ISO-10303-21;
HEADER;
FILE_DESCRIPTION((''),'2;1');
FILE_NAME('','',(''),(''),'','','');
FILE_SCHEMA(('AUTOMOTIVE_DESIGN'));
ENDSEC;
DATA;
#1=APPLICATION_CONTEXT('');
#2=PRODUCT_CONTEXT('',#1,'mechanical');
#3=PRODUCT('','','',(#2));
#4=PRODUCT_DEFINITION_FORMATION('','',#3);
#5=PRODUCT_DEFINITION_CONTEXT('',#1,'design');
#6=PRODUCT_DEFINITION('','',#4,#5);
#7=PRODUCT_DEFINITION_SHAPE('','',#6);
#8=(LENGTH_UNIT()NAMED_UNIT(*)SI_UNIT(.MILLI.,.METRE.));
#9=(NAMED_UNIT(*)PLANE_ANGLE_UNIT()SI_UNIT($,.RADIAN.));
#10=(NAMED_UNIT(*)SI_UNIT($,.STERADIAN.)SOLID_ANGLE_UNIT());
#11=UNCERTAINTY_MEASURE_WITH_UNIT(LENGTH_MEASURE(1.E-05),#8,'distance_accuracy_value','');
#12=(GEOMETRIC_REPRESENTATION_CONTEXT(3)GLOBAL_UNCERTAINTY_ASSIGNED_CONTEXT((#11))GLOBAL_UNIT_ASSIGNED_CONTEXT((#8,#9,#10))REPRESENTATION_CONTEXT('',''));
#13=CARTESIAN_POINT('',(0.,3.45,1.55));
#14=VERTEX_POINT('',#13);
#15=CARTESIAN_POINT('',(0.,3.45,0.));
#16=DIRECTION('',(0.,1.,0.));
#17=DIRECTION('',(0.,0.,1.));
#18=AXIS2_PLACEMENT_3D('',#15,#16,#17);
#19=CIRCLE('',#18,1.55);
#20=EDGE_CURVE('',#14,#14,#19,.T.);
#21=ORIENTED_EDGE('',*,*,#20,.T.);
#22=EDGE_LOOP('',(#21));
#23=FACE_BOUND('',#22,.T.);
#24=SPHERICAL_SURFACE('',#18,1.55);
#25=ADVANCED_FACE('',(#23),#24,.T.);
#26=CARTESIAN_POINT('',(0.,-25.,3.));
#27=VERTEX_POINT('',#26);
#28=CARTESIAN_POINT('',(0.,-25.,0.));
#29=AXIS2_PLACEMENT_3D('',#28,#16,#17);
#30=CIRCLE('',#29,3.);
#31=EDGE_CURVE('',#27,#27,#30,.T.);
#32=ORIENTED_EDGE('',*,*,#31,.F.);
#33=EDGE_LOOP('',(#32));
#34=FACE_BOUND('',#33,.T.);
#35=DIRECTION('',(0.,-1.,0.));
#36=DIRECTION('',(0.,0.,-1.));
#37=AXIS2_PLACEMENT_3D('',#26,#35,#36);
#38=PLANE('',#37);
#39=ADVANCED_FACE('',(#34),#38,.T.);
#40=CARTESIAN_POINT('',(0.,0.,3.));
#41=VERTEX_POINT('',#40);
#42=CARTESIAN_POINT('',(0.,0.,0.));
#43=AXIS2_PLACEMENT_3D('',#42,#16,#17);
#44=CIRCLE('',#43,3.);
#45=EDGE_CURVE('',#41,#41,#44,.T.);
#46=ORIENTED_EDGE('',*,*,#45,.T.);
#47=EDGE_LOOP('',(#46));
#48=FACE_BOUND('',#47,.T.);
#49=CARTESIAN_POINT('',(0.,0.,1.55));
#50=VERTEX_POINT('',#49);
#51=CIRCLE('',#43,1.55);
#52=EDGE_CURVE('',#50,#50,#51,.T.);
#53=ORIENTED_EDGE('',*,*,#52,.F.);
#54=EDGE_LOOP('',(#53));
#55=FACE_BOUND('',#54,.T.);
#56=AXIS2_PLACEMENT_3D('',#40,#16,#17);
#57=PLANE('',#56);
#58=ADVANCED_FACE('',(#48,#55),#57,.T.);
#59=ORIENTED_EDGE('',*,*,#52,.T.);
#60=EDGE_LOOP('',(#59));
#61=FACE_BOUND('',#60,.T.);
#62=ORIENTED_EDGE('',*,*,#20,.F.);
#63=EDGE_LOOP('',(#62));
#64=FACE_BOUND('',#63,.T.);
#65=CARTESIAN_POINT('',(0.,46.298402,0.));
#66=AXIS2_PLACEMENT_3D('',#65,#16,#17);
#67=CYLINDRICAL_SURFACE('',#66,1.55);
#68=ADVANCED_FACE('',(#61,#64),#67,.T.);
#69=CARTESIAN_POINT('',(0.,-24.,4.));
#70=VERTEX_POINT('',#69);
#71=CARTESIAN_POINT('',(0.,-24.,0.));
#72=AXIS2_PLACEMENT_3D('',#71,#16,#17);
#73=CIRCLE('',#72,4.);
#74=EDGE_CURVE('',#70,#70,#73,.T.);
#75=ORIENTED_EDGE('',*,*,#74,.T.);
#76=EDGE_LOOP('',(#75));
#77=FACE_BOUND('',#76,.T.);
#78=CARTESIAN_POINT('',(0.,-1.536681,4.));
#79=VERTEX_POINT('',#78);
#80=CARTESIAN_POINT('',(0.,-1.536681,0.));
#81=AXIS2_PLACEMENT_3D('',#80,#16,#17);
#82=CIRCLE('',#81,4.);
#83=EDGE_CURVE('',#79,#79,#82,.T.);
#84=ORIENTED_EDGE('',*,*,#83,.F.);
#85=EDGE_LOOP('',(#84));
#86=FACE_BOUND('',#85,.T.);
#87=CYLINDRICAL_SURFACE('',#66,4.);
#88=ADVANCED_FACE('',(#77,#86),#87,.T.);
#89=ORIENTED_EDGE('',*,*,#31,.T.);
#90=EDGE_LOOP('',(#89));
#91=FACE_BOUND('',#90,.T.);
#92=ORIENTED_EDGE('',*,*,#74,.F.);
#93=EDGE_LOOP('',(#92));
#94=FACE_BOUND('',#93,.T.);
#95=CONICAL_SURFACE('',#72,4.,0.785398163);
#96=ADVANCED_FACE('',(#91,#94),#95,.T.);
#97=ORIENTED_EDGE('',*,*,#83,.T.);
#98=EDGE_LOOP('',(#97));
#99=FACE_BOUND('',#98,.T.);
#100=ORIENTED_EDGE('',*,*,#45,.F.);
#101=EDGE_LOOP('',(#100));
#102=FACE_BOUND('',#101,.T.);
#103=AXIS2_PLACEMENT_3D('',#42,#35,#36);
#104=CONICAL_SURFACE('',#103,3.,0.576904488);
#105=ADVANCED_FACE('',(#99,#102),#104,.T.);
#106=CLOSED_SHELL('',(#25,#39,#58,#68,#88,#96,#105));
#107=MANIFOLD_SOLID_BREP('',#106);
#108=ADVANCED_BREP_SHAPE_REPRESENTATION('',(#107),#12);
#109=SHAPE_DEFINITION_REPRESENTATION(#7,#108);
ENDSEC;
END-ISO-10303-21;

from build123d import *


with BuildPart() as part:
    # 草图1 → 旋转1 (revolve)
    with BuildSketch(Plane(origin=(0, 0, 0), x_dir=(0, 0, -1), z_dir=(1, 0, 0))):
        with BuildLine():
            Line((-3, 0), (-1.55, 0))
            Line((-1.55, 0), (-1.55, 3.45))
            ThreePointArc((-1.55, 3.45), (-1.096015511, 4.546015511), (0, 5))
            Line((0, 5), (0, -25))
            Line((0, -25), (-3, -25))
            Line((-3, -25), (-4, -24))
            Line((-4, -24), (-4, -1.536681018))
            Line((-4, -1.536681018), (-3, 0))
        make_face()
    revolve(axis=Axis((0, 46.298402486, 0), (0, -1, 0)))


solid = part.part
